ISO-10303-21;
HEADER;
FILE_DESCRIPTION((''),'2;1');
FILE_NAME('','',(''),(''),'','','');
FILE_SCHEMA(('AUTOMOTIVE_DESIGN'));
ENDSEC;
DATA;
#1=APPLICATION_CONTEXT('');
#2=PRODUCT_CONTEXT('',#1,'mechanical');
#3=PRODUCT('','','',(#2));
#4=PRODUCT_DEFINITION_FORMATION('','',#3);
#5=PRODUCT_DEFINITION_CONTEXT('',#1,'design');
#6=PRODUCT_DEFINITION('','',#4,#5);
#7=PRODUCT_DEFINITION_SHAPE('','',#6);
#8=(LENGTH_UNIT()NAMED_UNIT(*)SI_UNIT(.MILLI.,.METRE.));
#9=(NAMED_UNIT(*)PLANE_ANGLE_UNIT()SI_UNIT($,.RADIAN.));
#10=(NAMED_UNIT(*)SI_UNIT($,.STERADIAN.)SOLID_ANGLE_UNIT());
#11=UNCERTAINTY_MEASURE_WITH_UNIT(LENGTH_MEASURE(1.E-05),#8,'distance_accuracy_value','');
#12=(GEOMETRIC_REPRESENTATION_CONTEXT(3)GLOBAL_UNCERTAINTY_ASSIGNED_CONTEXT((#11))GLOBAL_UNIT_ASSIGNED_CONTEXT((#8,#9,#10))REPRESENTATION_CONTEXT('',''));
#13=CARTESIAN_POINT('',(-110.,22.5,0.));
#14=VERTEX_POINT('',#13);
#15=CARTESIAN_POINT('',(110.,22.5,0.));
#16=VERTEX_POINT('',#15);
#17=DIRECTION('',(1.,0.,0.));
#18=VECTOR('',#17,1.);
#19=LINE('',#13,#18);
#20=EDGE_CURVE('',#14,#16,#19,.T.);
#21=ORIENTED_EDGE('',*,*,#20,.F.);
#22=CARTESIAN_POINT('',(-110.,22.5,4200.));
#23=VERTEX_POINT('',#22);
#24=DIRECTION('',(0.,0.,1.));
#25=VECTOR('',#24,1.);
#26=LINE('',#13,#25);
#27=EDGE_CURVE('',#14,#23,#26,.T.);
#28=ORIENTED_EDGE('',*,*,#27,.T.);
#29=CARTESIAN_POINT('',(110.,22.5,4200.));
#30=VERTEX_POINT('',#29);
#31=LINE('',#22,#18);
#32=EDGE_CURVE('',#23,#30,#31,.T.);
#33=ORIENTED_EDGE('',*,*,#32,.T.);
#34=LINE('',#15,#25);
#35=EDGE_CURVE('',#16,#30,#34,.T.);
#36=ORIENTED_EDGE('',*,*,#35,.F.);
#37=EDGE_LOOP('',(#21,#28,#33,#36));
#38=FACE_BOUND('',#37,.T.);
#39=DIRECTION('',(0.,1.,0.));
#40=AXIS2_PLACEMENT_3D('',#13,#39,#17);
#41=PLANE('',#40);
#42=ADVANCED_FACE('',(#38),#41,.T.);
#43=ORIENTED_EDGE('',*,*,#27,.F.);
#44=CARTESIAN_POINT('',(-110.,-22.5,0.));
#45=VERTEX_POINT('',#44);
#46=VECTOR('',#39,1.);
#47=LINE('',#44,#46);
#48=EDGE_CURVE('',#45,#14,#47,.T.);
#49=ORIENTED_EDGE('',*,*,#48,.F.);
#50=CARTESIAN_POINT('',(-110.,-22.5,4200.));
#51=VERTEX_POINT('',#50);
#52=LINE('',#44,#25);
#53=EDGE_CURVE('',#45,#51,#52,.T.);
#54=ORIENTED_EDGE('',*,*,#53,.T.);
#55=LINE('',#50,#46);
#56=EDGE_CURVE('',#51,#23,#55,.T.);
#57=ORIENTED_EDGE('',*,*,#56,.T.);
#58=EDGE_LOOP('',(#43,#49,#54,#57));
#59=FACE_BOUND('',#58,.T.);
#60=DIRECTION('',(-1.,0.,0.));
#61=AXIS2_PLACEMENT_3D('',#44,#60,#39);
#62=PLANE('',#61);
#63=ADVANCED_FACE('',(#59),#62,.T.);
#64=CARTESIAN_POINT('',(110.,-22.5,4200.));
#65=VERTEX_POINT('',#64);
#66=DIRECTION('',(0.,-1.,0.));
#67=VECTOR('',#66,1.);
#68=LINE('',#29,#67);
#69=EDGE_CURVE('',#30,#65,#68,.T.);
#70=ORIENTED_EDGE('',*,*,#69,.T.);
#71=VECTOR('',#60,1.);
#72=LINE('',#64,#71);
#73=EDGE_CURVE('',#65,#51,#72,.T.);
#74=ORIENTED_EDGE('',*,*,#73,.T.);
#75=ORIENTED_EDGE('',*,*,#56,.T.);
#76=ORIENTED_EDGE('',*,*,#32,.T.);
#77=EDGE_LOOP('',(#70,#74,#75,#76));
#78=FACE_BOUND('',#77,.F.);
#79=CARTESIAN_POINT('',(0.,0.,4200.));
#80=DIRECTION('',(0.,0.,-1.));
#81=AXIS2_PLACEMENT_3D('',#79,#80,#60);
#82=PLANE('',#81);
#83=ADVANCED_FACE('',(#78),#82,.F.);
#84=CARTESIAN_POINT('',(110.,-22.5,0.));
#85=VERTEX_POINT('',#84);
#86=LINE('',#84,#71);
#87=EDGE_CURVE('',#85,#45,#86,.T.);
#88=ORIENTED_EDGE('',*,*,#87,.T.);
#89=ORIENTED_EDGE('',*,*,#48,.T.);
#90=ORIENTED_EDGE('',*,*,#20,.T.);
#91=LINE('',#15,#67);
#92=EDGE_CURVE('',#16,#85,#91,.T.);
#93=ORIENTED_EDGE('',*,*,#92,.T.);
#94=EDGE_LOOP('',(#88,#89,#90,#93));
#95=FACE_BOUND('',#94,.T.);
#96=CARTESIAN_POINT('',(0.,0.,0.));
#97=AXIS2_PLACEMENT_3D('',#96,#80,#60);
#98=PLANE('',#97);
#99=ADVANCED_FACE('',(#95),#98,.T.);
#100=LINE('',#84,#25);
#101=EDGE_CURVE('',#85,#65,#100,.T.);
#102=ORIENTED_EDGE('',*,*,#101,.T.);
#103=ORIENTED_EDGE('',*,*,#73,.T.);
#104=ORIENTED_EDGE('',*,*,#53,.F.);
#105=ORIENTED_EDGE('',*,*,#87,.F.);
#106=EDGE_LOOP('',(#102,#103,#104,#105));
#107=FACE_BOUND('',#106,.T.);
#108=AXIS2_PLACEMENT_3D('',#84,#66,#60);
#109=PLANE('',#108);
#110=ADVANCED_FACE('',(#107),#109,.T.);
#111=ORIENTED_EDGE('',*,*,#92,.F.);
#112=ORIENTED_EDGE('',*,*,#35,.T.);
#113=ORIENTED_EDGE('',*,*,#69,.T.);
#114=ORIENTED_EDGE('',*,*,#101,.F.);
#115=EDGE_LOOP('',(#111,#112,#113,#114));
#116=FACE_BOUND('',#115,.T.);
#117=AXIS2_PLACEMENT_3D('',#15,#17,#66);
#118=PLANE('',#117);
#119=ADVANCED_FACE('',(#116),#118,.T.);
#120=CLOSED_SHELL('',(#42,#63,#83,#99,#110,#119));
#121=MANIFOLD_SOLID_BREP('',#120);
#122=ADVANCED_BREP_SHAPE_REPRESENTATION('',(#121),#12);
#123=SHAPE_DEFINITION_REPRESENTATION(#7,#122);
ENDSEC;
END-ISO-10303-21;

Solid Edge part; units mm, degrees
sketch "Sketch1" plane through (0, 0, 0) normal (0, 0, -1) x (-1, 0, 0)
  line L0 (-110, -22.5) -> (110, -22.5)
  line L1 (110, -22.5) -> (110, 22.5)
  line L2 (110, 22.5) -> (-110, 22.5)
  line L3 (-110, 22.5) -> (-110, -22.5)
extrude "Protrusion1" add sketch "Sketch1" against normal blind 4200
properties material "Wood, Pine"
